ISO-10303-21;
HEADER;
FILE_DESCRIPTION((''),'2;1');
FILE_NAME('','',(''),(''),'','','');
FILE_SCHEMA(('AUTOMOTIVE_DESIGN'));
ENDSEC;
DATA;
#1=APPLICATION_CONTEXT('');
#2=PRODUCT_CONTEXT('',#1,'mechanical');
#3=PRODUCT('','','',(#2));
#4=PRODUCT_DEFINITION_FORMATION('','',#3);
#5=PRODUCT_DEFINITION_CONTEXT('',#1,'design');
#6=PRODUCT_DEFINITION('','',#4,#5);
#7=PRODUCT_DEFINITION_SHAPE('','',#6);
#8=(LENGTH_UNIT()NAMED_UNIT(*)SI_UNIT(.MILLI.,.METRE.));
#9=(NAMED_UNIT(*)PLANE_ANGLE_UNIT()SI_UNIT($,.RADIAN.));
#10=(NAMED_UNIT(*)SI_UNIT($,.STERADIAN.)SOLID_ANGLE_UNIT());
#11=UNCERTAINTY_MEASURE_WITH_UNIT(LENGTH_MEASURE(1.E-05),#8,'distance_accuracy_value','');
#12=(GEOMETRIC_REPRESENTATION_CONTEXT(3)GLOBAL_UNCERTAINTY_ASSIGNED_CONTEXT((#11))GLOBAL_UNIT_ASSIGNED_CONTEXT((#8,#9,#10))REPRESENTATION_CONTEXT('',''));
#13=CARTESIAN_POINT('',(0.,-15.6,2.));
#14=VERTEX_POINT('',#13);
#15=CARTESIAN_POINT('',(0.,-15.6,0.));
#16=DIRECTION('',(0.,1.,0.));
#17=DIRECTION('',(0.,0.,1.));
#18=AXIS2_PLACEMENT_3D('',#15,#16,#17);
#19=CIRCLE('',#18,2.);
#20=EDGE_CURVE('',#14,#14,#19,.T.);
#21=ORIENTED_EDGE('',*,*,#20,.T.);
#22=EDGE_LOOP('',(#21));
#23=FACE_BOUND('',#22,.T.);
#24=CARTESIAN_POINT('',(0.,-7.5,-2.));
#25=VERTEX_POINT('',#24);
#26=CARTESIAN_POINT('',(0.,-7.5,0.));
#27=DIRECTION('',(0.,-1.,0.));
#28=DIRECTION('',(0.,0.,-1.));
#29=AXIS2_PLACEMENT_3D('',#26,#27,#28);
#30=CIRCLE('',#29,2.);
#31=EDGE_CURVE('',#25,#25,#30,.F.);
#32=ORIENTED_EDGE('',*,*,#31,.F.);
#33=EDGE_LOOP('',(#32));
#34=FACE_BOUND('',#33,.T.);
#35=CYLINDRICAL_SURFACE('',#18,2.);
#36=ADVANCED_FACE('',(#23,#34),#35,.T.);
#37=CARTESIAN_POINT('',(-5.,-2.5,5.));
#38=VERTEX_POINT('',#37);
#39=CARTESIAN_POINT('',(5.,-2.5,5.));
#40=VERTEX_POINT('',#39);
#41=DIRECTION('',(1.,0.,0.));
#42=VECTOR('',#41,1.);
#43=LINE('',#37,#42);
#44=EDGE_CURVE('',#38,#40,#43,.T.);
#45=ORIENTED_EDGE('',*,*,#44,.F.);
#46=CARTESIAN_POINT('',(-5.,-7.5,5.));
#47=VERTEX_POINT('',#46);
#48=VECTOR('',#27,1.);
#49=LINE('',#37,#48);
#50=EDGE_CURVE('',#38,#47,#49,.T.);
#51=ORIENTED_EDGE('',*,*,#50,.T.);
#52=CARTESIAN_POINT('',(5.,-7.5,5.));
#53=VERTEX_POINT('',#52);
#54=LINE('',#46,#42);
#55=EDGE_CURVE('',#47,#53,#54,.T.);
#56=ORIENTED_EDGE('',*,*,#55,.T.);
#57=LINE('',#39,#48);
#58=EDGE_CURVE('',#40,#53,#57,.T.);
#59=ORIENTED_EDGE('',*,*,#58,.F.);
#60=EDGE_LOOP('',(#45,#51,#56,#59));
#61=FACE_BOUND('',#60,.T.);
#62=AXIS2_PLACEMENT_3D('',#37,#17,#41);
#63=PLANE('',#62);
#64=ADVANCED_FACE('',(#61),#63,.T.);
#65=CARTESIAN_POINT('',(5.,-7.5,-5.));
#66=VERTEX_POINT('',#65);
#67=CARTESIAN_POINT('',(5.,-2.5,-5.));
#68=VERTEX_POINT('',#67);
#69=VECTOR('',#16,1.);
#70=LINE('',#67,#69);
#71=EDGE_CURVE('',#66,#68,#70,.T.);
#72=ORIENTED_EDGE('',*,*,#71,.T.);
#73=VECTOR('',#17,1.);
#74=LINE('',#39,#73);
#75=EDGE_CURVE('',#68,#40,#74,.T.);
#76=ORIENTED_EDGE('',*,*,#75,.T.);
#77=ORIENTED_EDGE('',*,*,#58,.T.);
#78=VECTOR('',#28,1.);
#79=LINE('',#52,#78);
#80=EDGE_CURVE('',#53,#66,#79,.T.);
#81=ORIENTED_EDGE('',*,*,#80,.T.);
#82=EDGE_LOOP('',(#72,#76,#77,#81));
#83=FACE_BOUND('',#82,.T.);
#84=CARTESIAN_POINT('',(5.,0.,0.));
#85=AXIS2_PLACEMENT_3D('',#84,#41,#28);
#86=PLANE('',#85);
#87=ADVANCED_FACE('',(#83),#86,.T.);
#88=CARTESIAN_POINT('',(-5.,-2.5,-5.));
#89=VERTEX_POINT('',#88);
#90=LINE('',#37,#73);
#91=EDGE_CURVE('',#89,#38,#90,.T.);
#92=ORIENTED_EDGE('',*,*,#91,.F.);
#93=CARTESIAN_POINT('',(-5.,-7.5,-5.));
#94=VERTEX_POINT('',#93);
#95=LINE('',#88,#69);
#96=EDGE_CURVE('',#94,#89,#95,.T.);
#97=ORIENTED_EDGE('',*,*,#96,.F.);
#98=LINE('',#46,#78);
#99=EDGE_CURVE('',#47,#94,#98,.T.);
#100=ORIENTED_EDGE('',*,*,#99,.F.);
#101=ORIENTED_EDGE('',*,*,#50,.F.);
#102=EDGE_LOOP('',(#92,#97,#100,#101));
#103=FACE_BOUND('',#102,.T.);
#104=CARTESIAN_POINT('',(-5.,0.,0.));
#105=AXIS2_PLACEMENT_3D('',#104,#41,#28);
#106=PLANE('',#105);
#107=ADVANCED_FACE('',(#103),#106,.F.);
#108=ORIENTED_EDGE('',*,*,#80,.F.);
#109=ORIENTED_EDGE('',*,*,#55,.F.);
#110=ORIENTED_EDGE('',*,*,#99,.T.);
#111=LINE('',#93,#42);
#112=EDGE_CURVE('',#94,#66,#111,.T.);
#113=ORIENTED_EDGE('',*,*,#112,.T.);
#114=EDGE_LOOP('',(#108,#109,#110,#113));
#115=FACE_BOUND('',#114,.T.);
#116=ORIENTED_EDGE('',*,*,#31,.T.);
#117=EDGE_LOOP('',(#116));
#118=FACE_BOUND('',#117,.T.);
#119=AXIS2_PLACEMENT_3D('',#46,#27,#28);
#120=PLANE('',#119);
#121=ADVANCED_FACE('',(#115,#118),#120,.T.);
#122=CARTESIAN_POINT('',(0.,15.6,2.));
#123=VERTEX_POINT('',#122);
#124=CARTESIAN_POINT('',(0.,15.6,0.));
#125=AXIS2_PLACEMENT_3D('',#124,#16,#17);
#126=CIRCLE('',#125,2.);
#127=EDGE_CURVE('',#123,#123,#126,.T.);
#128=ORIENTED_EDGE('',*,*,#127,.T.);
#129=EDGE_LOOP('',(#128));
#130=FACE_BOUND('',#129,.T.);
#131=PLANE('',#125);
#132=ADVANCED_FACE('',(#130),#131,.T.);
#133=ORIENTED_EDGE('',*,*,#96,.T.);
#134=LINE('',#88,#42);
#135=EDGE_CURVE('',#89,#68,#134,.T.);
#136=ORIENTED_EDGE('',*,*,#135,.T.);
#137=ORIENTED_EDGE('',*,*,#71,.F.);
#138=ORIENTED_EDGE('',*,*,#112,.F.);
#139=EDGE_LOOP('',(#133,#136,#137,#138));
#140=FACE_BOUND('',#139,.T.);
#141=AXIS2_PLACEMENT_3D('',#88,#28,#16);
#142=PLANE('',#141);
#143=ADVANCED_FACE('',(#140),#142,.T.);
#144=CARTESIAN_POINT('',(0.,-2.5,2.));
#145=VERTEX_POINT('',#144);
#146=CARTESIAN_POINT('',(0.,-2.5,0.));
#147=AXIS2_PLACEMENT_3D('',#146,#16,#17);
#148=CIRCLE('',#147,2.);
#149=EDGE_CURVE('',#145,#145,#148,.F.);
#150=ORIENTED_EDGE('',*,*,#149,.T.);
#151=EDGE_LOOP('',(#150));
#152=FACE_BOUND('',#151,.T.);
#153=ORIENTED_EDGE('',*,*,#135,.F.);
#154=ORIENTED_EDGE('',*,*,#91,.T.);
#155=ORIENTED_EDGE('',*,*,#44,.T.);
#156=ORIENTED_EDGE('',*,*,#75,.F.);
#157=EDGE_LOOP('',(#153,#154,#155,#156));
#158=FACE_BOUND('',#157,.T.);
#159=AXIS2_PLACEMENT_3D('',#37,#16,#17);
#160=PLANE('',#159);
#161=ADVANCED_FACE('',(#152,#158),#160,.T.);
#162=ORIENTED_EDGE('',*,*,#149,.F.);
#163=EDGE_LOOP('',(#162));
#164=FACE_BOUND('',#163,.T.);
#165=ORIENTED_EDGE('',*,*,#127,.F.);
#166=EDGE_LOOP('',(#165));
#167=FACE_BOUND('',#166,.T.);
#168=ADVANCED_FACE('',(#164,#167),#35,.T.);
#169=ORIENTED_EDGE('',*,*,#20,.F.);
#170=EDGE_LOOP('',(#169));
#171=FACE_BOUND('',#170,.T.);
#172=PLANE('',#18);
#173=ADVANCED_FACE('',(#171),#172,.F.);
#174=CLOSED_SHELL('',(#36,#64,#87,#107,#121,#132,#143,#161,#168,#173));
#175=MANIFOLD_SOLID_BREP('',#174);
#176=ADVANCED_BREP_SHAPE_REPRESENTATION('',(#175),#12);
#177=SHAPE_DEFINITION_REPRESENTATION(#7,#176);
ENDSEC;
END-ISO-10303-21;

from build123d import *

# Parameters (mm, degrees)
BOSS_EXTRUDE1_DEPTH      = 15.6
BOSS_EXTRUDE1_DEPTH_BACK = 15.6
SKETCH1_R                = 2
BOSS_EXTRUDE2_DEPTH      = 5
BOSS_EXTRUDE2_DEPTH_BACK = 5
SKETCH3_W                = 10
SKETCH3_H                = 5


with BuildPart() as part:
    # Sketch1 → Boss-Extrude1 (new, two sides: drawn at the far end of the back side and taken through both)
    with BuildSketch(Plane(origin=(0, 0, 0), x_dir=(1, 0, 0), z_dir=(0, 1, 0)).offset(-BOSS_EXTRUDE1_DEPTH_BACK)):
        Circle(SKETCH1_R)
    extrude(amount=BOSS_EXTRUDE1_DEPTH + BOSS_EXTRUDE1_DEPTH_BACK)

    # Sketch3 → Boss-Extrude2 (add, two sides: drawn at the far end of the back side and taken through both)
    with BuildSketch(Plane(origin=(0, 0, 0), x_dir=(0, 0, -1), z_dir=(1, 0, 0)).offset(-BOSS_EXTRUDE2_DEPTH_BACK)):
        with Locations((0, -5)):
            Rectangle(SKETCH3_W, SKETCH3_H)
    extrude(amount=BOSS_EXTRUDE2_DEPTH + BOSS_EXTRUDE2_DEPTH_BACK)


solid = part.part
